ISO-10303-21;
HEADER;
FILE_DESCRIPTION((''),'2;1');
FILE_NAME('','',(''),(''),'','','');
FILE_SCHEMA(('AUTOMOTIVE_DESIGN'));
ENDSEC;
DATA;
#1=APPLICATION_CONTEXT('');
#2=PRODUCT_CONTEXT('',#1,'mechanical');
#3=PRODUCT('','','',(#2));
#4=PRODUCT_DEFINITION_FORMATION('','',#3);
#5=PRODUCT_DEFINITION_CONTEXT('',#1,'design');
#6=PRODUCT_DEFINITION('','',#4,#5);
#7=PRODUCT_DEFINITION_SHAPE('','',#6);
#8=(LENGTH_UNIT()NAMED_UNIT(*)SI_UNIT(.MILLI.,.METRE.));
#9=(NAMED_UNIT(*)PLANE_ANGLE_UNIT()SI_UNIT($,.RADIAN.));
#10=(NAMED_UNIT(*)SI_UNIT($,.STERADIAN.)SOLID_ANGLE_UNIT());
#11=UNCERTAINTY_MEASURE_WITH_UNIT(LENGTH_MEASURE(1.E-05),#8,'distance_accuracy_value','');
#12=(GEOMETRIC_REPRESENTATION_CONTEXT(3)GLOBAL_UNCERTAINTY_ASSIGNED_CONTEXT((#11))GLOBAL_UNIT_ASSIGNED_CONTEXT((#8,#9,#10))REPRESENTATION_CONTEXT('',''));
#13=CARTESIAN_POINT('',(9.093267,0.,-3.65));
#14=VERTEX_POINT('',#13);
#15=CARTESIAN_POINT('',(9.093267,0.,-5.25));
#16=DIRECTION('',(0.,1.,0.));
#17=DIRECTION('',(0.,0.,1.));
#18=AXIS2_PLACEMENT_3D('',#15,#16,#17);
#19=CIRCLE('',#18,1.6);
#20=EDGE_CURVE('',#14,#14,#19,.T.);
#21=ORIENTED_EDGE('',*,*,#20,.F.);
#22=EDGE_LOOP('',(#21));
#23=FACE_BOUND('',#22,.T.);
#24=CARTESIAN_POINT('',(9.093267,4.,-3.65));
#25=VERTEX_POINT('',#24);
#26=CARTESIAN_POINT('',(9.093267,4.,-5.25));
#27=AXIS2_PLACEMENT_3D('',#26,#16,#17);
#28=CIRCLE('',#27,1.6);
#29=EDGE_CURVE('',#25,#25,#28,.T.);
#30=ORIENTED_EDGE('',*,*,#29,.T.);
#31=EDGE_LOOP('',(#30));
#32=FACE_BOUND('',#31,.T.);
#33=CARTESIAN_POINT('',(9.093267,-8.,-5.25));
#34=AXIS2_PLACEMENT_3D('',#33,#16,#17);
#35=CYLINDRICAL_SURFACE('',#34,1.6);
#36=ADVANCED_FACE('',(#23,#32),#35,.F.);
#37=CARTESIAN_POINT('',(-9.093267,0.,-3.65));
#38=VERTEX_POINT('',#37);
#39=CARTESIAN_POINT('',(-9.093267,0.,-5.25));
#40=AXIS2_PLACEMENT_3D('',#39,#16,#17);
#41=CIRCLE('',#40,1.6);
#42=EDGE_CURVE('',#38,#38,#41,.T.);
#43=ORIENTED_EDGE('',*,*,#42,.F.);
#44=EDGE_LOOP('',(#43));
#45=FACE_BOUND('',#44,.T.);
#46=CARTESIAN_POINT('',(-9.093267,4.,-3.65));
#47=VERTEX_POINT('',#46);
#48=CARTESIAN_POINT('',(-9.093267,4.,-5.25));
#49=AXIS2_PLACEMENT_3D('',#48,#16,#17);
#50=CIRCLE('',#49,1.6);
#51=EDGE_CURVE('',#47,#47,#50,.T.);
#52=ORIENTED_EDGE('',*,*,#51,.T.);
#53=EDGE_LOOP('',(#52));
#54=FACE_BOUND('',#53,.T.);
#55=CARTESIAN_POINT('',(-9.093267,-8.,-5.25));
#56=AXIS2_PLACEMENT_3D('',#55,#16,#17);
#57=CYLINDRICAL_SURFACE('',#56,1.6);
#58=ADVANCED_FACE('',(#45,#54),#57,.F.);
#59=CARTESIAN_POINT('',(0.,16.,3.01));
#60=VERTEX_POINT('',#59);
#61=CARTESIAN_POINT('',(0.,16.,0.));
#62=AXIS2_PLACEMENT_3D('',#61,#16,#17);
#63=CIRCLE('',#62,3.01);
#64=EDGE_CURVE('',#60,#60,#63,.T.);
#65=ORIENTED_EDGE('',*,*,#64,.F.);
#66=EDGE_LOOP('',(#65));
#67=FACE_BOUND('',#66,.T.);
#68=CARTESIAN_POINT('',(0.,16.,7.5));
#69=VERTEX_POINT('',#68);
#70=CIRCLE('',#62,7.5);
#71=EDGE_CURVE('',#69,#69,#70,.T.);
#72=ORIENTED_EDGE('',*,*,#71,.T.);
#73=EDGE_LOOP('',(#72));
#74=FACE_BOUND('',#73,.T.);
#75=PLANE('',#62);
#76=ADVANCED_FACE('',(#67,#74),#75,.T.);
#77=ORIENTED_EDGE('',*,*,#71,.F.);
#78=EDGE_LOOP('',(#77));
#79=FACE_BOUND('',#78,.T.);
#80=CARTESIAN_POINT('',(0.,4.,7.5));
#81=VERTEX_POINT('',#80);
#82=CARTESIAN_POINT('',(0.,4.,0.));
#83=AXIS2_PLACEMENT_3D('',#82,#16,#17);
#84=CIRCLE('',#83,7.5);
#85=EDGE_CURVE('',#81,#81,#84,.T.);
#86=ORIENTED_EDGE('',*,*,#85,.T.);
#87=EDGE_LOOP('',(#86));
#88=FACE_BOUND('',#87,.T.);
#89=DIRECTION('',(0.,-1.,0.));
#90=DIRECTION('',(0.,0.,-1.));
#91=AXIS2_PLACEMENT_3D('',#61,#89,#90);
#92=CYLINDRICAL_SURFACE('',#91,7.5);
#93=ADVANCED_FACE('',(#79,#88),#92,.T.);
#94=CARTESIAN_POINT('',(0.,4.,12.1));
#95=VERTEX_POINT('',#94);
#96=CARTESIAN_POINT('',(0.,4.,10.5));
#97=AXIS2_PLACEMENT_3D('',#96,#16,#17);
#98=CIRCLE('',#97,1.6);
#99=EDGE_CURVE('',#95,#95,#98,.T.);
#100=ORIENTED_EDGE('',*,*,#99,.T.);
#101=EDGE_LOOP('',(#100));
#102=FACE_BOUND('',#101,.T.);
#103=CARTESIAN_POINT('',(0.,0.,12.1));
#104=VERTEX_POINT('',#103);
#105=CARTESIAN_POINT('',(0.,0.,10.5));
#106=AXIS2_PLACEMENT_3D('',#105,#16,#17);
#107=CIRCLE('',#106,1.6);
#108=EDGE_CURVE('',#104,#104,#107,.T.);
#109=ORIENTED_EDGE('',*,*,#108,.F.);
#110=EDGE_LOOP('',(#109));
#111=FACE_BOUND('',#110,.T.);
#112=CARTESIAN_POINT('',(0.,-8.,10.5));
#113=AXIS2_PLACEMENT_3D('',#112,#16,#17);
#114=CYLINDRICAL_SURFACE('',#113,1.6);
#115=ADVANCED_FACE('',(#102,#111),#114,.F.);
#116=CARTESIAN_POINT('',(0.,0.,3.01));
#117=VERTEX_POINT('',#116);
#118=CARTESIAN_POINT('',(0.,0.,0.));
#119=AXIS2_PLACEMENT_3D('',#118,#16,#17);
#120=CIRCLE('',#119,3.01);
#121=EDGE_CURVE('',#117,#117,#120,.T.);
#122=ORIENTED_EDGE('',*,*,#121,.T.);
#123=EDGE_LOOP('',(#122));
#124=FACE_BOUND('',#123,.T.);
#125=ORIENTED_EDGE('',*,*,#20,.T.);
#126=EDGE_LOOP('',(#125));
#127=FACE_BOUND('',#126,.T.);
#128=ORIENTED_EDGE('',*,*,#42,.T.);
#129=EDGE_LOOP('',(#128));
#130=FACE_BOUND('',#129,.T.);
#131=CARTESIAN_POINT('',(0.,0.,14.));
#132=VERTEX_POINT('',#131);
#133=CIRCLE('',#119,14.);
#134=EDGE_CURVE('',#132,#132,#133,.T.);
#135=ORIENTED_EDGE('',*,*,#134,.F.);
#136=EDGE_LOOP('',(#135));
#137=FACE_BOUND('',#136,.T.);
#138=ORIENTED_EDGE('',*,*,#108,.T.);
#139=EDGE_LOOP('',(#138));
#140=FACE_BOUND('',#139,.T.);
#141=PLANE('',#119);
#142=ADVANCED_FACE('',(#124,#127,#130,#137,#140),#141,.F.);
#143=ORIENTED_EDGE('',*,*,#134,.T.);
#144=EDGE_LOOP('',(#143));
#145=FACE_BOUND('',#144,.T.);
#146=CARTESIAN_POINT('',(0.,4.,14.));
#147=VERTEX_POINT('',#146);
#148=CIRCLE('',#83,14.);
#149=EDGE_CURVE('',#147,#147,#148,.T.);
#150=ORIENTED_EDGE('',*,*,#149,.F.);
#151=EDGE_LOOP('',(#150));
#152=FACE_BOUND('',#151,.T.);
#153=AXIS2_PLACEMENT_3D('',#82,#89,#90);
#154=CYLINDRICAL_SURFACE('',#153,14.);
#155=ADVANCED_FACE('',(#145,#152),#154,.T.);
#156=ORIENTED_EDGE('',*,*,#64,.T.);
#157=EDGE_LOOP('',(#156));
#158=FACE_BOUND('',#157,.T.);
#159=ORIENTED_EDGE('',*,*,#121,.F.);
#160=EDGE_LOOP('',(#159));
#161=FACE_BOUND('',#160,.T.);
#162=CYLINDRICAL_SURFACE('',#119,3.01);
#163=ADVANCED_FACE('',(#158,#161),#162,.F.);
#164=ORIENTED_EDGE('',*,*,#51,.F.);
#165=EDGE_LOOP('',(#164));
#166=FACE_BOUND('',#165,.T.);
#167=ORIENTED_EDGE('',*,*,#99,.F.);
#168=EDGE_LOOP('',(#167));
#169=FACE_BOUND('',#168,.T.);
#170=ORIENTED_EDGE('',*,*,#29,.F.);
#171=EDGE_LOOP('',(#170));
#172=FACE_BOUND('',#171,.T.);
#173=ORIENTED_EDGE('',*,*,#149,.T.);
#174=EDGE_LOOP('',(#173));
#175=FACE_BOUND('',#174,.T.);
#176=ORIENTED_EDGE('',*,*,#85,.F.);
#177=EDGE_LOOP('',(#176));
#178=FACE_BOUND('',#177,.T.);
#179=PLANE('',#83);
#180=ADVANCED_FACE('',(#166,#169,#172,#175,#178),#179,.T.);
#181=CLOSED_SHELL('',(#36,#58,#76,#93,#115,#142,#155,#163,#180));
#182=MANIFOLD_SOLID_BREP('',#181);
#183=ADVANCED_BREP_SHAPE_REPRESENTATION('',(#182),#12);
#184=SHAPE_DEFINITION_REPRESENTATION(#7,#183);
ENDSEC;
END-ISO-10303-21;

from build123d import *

# Parameters (mm, degrees)
SKETCH2_R           = 14
BOSS_EXTRUDE1_DEPTH = 4
SKETCH3_R           = 7.5
BOSS_EXTRUDE2_DEPTH = 12
SKETCH4_R           = 3.01
CUT_EXTRUDE1_DEPTH  = 17
SKETCH5_R           = 1.6
CUT_EXTRUDE2_DEPTH  = 12


with BuildPart() as part:
    # Sketch2 → Boss-Extrude1 (new body)
    with BuildSketch(Plane(origin=(0, 0, 0), x_dir=(1, 0, 0), z_dir=(0, 1, 0))):
        Circle(SKETCH2_R)
    extrude(amount=BOSS_EXTRUDE1_DEPTH)

    # Sketch3 → Boss-Extrude2 (add)
    with BuildSketch(Plane(origin=(0, 4, 0), x_dir=(1, 0, 0), z_dir=(0, 1, 0))):
        Circle(SKETCH3_R)
    extrude(amount=BOSS_EXTRUDE2_DEPTH)

    # Sketch4 → Cut-Extrude1 (cut, through all)
    with BuildSketch(Plane(origin=(0, 16, 0), x_dir=(1, 0, 0), z_dir=(0, 1, 0))):
        Circle(SKETCH4_R)
    extrude(amount=-CUT_EXTRUDE1_DEPTH, mode=Mode.SUBTRACT)

    # Sketch5 → Cut-Extrude2 (cut)
    with BuildSketch(Plane(origin=(0, 4, 0), x_dir=(1, 0, 0), z_dir=(0, 1, 0))):
        with Locations((0, -10.5)):
            Circle(SKETCH5_R)
        with Locations((9.09326674, 5.25)):
            Circle(SKETCH5_R)
        with Locations((-9.09326674, 5.25)):
            Circle(SKETCH5_R)
    extrude(amount=-CUT_EXTRUDE2_DEPTH, mode=Mode.SUBTRACT)


solid = part.part
